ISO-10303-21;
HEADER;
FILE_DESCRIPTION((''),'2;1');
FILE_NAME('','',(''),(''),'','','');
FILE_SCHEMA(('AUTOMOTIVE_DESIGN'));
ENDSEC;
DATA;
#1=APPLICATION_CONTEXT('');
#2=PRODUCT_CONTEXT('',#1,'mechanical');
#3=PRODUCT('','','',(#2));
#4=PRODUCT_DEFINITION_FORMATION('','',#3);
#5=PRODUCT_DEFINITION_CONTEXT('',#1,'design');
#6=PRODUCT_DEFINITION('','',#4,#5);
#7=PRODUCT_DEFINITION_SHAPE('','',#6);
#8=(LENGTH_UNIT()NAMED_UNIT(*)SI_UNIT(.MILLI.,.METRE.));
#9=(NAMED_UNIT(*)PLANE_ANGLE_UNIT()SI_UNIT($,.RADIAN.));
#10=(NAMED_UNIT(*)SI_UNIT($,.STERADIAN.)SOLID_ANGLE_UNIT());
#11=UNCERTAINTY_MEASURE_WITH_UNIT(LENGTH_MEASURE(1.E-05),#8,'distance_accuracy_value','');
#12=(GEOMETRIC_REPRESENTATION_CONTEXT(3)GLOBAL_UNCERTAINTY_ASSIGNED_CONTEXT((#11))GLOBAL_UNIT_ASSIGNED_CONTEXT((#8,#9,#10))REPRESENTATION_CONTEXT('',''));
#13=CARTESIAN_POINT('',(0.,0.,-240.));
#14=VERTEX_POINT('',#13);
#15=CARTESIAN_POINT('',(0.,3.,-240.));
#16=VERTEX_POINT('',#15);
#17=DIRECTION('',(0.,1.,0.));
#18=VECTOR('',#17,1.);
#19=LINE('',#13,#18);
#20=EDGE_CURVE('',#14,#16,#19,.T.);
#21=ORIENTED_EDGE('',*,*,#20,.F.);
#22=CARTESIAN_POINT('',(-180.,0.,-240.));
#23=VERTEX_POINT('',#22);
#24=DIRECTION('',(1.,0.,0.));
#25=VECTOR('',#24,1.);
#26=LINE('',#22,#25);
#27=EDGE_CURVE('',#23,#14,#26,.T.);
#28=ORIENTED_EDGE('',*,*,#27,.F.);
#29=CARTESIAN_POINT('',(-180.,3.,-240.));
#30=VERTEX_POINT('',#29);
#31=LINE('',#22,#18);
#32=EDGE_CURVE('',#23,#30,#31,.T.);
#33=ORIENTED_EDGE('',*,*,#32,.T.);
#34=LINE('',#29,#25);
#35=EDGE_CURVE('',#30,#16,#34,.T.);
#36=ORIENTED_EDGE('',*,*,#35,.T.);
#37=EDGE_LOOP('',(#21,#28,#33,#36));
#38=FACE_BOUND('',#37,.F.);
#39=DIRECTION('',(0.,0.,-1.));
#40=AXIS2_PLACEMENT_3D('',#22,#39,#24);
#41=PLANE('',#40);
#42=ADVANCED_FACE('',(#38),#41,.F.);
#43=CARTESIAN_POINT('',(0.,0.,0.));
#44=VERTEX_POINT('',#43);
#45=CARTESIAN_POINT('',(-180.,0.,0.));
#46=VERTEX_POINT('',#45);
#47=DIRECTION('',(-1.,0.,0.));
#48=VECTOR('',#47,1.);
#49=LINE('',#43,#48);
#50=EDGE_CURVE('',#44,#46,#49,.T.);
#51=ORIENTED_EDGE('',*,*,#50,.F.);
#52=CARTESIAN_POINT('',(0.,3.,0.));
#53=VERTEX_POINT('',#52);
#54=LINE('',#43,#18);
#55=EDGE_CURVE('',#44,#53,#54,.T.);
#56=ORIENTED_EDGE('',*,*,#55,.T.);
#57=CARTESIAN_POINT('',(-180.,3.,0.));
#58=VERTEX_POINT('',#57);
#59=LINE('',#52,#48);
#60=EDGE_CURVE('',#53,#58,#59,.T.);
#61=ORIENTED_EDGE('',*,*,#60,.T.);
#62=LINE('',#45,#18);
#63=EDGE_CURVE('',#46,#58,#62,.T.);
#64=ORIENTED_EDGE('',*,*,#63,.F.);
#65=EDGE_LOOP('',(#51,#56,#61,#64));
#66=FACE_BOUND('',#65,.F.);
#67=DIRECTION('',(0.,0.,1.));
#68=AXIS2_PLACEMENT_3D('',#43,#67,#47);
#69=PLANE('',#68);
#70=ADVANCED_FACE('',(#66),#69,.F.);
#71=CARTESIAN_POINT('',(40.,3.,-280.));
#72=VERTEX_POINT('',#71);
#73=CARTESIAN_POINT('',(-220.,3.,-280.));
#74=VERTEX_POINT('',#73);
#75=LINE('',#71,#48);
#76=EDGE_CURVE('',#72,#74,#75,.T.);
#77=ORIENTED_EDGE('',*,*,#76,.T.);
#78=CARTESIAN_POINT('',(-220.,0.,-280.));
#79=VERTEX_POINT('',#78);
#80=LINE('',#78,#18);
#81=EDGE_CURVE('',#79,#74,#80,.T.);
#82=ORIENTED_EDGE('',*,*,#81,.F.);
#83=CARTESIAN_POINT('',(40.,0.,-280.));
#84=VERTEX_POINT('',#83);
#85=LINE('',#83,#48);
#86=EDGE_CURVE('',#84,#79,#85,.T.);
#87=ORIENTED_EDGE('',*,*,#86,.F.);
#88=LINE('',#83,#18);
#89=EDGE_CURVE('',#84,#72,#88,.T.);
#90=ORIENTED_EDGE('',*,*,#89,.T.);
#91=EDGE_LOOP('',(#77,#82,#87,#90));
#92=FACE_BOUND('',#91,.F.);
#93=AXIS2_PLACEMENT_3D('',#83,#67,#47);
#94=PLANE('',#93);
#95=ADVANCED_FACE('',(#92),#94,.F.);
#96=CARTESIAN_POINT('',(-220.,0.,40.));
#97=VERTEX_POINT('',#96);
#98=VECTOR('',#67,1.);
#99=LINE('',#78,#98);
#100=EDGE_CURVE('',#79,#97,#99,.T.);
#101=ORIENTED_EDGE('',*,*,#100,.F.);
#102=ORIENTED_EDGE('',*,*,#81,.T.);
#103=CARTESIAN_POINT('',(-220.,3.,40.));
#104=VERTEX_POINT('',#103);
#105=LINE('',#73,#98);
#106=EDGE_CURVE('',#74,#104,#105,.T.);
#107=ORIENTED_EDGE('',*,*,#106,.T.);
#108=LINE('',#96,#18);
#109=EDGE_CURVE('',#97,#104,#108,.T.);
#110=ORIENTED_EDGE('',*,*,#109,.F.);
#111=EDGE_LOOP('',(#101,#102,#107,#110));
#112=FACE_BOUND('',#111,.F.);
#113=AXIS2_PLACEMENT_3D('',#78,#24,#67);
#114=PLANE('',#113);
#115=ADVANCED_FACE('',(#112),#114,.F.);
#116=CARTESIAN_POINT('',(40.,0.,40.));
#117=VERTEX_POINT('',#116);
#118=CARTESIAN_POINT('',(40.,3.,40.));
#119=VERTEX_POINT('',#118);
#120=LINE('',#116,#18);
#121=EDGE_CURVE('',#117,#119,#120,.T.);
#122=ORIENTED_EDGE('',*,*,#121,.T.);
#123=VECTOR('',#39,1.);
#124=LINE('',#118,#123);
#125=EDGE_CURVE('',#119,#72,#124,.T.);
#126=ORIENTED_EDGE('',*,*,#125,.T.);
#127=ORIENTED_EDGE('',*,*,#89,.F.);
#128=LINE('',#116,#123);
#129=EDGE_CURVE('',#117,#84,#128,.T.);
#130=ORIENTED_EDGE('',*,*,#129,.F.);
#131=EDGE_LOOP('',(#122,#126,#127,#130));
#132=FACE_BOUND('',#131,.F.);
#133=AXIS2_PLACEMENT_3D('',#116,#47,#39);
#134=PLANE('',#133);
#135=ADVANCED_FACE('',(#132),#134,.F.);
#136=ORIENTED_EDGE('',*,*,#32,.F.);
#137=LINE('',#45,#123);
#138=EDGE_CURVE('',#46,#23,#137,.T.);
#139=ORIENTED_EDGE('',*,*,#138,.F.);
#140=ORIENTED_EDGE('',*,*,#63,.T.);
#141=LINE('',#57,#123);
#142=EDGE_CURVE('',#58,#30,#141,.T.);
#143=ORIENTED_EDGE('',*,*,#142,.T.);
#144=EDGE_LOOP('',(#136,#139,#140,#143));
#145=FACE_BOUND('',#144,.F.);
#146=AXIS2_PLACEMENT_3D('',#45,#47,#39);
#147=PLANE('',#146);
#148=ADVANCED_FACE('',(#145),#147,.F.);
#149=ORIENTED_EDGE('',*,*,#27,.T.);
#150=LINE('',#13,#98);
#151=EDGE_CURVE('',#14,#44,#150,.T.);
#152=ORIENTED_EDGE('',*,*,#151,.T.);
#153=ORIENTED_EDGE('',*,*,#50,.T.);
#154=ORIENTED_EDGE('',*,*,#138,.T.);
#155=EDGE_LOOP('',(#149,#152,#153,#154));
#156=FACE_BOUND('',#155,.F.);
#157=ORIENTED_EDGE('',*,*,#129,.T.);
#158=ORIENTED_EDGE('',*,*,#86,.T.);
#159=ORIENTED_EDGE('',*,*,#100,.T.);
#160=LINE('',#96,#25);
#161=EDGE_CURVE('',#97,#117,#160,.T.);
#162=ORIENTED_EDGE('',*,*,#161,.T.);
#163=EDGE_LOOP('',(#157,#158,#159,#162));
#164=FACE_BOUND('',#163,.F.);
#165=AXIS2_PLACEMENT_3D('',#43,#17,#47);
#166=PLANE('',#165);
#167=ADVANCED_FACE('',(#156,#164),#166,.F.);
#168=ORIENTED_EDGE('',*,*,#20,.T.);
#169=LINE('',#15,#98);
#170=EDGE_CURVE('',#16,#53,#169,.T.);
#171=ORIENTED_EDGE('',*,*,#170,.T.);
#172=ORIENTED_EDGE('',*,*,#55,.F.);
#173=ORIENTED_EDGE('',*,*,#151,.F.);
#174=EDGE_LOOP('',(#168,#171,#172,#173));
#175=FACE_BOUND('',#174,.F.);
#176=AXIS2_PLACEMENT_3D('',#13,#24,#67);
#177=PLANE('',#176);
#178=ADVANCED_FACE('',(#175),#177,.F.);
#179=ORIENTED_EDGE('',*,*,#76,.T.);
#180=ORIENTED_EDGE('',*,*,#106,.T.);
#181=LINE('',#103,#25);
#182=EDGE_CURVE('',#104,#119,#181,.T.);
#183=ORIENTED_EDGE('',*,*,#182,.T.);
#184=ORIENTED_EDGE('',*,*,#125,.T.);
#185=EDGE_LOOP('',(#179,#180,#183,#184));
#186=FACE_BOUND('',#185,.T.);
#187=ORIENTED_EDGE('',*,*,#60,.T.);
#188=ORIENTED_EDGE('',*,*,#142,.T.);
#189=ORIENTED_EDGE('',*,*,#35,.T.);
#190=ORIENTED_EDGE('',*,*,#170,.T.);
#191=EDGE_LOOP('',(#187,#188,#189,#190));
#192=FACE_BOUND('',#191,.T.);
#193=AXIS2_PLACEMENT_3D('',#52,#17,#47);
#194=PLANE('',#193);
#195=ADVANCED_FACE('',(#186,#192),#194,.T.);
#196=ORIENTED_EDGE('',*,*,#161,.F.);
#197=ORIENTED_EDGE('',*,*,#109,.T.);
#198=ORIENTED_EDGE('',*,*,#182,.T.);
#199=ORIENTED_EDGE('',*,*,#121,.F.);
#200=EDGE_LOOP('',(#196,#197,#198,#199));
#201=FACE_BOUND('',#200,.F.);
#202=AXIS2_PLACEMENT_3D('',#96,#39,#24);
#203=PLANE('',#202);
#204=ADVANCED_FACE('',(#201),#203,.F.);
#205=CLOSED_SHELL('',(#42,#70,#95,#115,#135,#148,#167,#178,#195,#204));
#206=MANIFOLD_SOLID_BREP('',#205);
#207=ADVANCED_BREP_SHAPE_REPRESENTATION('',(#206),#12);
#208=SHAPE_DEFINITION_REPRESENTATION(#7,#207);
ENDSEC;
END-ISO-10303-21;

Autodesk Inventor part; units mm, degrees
ref_plane "YZ Plane" through (0, 0, 0) normal (1, 0, 0) x (0, 1, 0)
ref_plane "XZ Plane" through (0, 0, 0) normal (0, 1, 0) x (-1, 0, 0)
ref_plane "XY Plane" through (0, 0, 0) normal (0, 0, 1) x (1, 0, 0)
sketch "Boceto1" plane through (0, 0, 0) normal (0, 1, 0) x (-1, 0, 0)
  line L0 (0, 0) -> (180, 0)
  line L1 (180, 0) -> (180, -240)
  line L2 (180, -240) -> (0, -240)
  line L3 (0, -240) -> (0, 0)
  line L4 (220, -280) -> (220, 40)
  line L5 (220, 40) -> (-40, 40)
  line L6 (-40, 40) -> (-40, -280)
  line L7 (-40, -280) -> (220, -280)
  dimension "d0" = 180
  dimension "d1" = 240
  dimension "d2" = 40
extrude "Extrusión1" add sketch "Boceto1" along normal blind 3
properties part number "Plancha"
